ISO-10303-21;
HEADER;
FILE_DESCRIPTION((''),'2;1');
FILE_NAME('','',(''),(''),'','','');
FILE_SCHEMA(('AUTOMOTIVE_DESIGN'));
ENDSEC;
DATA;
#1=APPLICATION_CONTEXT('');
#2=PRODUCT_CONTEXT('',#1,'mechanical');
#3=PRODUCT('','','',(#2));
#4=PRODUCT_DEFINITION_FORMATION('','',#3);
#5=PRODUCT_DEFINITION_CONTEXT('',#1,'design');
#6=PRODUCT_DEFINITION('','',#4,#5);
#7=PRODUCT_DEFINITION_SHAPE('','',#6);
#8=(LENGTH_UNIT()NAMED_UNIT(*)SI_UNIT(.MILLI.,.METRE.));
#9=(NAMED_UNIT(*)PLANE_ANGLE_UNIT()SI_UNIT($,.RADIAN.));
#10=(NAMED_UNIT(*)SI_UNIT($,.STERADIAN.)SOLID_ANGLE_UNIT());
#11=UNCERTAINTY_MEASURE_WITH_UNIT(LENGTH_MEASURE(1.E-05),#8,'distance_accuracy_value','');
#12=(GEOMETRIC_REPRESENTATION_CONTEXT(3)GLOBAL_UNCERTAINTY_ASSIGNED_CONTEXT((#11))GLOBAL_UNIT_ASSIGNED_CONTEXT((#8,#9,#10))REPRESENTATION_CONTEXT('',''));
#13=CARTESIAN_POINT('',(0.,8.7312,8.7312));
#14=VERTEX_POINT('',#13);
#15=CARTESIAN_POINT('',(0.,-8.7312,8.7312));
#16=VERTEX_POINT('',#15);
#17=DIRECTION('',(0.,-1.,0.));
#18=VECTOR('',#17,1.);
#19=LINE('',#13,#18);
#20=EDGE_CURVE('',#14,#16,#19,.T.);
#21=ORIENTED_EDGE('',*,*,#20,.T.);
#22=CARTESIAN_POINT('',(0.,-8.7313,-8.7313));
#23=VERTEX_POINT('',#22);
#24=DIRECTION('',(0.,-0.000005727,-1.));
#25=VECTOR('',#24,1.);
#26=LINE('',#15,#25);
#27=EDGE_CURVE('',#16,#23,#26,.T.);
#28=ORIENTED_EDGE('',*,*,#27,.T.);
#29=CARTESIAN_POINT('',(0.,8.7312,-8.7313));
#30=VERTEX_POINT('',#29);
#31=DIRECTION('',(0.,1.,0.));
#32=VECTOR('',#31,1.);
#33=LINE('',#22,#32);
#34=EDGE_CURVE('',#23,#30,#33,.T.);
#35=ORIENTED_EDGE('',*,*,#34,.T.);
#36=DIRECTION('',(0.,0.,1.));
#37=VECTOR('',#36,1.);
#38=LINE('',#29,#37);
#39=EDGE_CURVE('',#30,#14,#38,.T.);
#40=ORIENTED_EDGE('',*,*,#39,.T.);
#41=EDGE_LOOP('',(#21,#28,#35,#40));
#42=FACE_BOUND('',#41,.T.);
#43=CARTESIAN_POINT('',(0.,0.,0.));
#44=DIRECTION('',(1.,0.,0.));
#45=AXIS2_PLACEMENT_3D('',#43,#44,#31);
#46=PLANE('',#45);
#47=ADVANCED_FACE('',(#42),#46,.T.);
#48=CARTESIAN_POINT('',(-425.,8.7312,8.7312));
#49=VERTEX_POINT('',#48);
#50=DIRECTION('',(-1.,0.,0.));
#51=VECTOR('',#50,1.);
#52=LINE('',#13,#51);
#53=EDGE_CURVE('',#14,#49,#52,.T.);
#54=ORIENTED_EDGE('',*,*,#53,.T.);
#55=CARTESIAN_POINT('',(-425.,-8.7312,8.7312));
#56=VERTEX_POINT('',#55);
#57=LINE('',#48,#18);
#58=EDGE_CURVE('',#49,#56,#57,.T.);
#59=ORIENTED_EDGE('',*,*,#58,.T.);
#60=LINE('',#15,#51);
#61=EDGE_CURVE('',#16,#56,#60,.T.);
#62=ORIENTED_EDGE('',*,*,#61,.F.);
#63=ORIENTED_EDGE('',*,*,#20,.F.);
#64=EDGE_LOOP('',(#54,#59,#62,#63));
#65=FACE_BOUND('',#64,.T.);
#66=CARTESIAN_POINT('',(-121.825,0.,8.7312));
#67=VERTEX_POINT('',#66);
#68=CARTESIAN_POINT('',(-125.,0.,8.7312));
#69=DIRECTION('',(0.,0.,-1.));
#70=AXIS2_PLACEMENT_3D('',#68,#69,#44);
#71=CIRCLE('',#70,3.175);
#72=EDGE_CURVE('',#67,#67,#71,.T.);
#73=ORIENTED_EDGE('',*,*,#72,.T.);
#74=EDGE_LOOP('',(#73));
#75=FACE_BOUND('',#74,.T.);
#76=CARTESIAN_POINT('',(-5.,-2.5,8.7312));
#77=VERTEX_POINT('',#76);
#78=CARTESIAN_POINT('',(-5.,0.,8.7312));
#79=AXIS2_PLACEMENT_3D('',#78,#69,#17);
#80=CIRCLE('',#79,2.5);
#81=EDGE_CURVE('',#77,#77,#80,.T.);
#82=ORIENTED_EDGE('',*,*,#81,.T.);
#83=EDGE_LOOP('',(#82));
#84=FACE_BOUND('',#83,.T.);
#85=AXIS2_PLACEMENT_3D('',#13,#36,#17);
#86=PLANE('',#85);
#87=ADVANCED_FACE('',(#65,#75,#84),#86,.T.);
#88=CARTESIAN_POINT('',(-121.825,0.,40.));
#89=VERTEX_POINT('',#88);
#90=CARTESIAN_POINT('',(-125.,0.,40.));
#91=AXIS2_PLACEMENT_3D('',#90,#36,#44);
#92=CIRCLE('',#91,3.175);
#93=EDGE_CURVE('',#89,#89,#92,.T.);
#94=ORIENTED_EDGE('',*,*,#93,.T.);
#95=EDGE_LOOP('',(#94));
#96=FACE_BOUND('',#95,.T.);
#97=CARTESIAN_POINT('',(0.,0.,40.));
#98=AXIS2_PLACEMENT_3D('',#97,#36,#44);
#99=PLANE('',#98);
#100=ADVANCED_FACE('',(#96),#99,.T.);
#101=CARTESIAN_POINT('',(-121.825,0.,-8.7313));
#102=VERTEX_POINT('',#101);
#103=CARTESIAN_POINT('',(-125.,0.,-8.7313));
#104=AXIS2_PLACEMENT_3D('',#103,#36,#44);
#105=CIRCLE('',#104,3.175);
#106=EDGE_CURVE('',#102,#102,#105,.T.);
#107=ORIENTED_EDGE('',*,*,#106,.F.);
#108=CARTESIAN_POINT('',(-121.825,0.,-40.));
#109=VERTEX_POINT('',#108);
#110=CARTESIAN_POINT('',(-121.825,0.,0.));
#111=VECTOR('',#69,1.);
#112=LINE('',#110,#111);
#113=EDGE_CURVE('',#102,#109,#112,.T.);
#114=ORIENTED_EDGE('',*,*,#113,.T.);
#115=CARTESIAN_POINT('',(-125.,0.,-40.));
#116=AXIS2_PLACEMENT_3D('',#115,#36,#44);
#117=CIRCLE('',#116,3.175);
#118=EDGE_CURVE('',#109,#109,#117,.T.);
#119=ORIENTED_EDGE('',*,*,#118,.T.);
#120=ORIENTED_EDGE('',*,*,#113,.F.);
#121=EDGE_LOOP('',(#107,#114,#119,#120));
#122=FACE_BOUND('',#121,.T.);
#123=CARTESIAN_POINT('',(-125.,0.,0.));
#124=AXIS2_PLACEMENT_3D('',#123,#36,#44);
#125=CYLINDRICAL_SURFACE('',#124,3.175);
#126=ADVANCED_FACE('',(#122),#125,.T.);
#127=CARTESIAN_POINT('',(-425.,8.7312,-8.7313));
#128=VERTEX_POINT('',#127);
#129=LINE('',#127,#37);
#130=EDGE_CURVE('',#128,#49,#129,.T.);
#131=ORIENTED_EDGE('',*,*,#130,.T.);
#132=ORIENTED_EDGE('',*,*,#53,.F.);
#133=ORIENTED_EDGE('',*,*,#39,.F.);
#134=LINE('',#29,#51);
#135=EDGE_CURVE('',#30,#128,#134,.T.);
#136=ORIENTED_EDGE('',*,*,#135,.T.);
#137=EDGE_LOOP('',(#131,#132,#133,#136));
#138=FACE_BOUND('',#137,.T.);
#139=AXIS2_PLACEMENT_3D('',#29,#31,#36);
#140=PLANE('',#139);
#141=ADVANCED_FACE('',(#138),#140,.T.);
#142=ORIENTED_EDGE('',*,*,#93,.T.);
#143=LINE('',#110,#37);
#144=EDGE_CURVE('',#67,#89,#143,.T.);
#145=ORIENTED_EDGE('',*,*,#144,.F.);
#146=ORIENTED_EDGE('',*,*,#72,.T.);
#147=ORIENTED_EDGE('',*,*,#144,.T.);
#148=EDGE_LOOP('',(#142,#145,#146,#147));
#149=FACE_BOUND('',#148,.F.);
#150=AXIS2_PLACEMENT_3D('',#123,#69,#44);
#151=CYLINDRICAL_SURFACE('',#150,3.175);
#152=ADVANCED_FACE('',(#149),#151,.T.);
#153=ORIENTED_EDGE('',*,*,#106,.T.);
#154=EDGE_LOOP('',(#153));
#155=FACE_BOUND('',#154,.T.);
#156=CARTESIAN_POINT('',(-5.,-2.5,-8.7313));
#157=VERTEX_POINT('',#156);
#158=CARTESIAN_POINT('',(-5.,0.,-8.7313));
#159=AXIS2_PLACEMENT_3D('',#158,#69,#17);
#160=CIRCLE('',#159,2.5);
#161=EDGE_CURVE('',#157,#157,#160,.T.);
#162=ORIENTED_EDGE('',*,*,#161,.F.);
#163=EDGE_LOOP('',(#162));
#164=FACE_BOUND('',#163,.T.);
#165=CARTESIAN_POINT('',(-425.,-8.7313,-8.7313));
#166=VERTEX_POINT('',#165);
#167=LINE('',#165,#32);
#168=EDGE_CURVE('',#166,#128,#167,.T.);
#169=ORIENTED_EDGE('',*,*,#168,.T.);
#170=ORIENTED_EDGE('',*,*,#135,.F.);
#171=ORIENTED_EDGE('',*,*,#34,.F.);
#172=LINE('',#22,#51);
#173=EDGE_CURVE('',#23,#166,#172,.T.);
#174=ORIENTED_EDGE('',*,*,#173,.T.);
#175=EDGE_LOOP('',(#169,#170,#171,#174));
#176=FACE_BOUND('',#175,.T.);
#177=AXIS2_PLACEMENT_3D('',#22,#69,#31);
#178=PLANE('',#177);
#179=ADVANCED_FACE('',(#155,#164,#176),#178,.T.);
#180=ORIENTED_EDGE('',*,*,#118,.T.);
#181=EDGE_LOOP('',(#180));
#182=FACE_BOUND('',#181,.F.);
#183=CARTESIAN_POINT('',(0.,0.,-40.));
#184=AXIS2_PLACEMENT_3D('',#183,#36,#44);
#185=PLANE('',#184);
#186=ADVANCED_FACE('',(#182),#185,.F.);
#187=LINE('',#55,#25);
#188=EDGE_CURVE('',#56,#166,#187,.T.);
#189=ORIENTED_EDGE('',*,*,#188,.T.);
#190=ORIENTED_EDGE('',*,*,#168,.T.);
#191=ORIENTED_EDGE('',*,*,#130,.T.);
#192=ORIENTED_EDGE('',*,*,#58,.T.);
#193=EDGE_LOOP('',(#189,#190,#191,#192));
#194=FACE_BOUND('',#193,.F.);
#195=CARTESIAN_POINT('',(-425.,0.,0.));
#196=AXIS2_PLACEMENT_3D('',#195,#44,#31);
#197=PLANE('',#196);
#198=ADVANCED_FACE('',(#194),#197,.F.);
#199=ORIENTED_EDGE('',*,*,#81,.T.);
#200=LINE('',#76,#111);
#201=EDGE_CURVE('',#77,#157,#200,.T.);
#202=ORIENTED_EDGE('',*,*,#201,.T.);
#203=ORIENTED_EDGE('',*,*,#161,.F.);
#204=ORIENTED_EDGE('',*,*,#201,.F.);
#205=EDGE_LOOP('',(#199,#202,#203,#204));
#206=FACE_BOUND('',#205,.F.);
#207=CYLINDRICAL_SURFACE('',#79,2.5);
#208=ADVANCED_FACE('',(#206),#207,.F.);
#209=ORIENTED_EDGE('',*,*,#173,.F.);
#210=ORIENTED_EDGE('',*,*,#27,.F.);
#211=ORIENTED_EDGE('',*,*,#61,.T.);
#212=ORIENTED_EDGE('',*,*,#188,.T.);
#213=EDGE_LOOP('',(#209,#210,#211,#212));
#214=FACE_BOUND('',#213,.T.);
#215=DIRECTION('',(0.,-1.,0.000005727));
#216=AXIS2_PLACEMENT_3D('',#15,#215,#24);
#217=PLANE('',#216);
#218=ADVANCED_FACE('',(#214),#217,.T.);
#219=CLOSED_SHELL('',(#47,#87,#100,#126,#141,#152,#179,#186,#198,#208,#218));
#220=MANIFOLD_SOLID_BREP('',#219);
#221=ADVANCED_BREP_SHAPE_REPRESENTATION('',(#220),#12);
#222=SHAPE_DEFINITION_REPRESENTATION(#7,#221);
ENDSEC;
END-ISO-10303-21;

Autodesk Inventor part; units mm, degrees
ref_plane "YZ Plane" through (0, 0, 0) normal (1, 0, 0) x (0, 1, 0)
ref_plane "XZ Plane" through (0, 0, 0) normal (0, 1, 0) x (-1, 0, 0)
sketch "Sketch1" plane through (0, 0, 0) normal (1, 0, 0) x (0, 1, 0)
  line L0 (8.7312, 8.7312) -> (-8.7312, 8.7312)
  line L1 (-8.7312, 8.7312) -> (-8.7313, -8.7313)
  line L2 (-8.7313, -8.7313) -> (8.7312, -8.7313)
  line L3 (8.7312, -8.7313) -> (8.7312, 8.7312)
  line L4 (8.7312, 8.7312) -> (-8.7313, -8.7313) construction
  line L5 (-8.7312, 8.7312) -> (8.7312, -8.7313) construction
  point P0 (0, 0)
  point P1 (0, 0)
  dimension "d9" = 17.4625
  dimension "d10" = 17.4625
extrude "Extrusion1" add sketch "Sketch1" against normal blind 425
ref_plane "Work Plane2" through (0, 0, 10) normal (0, 0, 1) x (1, 0, 0)
sketch "Sketch2" plane through (0, 0, 0) normal (0, 0, 1) x (1, 0, 0)
  circle A0 centre (-125, 0) radius 3.175
  line L0 (0, 8.7312) -> (0, -8.7312) construction
  line L1 (-425, 8.7312) -> (-425, -8.7313) construction
  point P0 (0, 0)
  dimension "d7" = 6.35
  dimension "d11" = 300
extrude "Extrusion2" add sketch "Sketch2" along normal mid plane 80
sketch "Sketch4" plane through (0, -8.7312, 8.7312) normal (0, 0, 1) x (1, 0, 0)
  circle A0 centre (-125, 8.7312) radius 3.175 construction
  point P0 (0, 8.7312)
  point P1 (-5, 8.7312)
  dimension "d14" = 120
hole "Hole1" at (-5, 0, 8.7312) direction (0, 0, -1) diameter 5 end through all
sketch "Sketch3" plane through (-125, 0, 40) normal (0, 0, 1) x (1, 0, 0)
  circle A0 centre (0, 0) radius 3.175 projected
  line L0 (-300, -8.7312) -> (-300, 8.7312) construction
  line L1 (125, 8.7312) -> (125, -8.7312) construction
  point P0 (125, 0)
  dimension "d12" = 300
  dimension "d13" = 125
equation "\"d11\" = LongArmLen"
equation "\"d14\" = ShortArmLen"
equation "\"LongArmLen\" = 300"
equation "\"ShortArmLen\" = 120"
properties part number "Long Arm"
